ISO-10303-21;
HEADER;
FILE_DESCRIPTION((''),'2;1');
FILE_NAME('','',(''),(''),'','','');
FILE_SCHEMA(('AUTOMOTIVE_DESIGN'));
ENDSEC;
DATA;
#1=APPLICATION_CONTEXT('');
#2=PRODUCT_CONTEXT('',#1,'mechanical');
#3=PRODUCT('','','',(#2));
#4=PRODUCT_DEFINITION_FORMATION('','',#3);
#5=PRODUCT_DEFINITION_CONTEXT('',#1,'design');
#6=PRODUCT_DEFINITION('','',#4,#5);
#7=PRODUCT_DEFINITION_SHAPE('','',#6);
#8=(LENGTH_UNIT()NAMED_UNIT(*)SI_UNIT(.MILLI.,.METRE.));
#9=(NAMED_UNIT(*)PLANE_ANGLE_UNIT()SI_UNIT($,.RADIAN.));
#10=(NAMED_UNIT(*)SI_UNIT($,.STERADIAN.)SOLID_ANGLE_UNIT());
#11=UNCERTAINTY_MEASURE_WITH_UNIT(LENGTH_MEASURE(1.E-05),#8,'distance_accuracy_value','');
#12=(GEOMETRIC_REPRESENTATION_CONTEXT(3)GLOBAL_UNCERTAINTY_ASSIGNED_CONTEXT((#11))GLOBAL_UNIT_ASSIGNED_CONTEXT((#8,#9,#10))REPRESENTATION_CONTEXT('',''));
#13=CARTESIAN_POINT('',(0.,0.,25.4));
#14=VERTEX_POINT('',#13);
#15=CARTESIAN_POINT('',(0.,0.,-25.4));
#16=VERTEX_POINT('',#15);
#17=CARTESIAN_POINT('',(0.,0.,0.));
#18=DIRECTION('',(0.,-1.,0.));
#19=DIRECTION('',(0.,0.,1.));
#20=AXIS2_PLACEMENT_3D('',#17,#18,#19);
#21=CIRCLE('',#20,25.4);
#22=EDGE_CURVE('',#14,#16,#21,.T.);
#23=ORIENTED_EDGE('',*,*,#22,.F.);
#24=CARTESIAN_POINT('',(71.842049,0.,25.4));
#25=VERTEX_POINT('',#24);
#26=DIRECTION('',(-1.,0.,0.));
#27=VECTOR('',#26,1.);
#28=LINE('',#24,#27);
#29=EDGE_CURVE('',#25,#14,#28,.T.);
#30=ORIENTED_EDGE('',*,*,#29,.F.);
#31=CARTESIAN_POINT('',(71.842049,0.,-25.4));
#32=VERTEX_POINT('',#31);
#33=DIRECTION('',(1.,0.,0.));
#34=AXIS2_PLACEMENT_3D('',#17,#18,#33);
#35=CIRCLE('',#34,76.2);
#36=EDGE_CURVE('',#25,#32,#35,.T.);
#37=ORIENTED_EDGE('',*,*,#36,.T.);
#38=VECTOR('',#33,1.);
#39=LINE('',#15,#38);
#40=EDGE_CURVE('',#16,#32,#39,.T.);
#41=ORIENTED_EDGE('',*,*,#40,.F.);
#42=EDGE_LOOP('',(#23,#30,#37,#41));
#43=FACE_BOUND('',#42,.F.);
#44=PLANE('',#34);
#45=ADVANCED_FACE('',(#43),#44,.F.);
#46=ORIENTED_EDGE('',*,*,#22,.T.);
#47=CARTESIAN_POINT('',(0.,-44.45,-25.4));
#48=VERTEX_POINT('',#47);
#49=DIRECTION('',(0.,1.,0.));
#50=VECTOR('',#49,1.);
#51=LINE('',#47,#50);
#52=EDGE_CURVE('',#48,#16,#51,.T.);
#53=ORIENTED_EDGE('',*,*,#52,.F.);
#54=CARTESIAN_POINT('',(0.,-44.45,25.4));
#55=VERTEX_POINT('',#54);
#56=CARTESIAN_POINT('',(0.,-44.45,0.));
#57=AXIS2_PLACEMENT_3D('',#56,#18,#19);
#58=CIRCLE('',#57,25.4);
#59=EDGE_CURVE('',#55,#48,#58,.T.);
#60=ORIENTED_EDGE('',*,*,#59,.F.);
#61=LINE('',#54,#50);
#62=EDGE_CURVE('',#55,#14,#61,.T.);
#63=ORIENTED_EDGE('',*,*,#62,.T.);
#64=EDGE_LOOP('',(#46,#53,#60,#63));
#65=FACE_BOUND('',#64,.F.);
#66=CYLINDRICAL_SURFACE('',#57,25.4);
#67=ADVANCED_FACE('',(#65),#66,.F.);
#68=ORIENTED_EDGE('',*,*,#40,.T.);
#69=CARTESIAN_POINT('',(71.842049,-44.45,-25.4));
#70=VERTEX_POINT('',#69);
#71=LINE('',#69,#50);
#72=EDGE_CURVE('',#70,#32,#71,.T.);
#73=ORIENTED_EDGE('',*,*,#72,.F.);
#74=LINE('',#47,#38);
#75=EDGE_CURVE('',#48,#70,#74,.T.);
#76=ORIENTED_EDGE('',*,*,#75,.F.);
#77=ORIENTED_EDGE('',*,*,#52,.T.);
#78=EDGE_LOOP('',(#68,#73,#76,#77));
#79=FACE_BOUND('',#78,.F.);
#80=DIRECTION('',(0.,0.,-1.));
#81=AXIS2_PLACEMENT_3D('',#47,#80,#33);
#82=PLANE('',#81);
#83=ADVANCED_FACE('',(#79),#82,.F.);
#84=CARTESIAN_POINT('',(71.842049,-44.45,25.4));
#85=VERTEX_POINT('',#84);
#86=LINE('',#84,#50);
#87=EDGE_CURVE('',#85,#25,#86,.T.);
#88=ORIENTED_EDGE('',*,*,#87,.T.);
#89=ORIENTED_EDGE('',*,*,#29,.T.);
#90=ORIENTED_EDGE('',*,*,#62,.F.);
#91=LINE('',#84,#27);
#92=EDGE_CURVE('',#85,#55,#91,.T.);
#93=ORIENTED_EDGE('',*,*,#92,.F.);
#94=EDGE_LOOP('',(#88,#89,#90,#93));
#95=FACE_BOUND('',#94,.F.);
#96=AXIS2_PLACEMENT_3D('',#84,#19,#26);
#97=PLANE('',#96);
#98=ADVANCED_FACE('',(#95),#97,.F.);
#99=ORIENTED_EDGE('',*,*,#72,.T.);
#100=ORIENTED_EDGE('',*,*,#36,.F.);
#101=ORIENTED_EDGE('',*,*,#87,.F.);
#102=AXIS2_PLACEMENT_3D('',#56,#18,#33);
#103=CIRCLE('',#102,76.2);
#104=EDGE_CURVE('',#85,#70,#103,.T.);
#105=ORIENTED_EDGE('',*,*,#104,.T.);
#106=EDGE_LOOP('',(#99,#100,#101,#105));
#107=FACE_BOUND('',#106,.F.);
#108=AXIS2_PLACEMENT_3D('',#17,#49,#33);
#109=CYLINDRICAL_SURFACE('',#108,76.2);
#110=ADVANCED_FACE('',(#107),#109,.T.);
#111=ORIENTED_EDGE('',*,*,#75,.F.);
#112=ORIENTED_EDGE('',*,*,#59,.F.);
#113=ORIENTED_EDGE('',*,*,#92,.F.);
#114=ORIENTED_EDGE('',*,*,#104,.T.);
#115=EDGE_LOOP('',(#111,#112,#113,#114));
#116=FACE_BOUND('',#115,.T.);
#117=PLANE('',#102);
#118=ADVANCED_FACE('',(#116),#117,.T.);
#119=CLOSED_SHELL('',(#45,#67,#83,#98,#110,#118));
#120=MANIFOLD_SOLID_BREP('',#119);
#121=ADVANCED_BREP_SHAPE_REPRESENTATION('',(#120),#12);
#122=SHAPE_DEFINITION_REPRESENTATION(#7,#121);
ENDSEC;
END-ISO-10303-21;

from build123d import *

# Parameters (mm, degrees)
F0_R     = 76.2
F1_DEPTH = 44.45
F3_DEPTH = 44.45


with BuildPart() as f1:
    # F0 (on Front) → F1 (new body)
    with BuildSketch(Plane.XZ):
        Circle(F0_R)
    extrude(amount=F1_DEPTH)

    # F2 (on face) → F3 (cut, through all)
    with BuildSketch(Plane.XZ.offset(44.45)):
        with BuildLine():
            Line((71.842049, 25.4), (0, 25.4))
            ThreePointArc((0, 25.4), (-25.4, 0), (0, -25.4))
            Line((0, -25.4), (71.842049, -25.4))
            ThreePointArc((71.842049, -25.4), (75.10261, -12.885571), (76.2, 0))
            ThreePointArc((76.2, 0), (75.10261, 12.885571), (71.842049, 25.4))
        make_face()
    extrude(amount=-F3_DEPTH, mode=Mode.SUBTRACT)


solid = f1.part
